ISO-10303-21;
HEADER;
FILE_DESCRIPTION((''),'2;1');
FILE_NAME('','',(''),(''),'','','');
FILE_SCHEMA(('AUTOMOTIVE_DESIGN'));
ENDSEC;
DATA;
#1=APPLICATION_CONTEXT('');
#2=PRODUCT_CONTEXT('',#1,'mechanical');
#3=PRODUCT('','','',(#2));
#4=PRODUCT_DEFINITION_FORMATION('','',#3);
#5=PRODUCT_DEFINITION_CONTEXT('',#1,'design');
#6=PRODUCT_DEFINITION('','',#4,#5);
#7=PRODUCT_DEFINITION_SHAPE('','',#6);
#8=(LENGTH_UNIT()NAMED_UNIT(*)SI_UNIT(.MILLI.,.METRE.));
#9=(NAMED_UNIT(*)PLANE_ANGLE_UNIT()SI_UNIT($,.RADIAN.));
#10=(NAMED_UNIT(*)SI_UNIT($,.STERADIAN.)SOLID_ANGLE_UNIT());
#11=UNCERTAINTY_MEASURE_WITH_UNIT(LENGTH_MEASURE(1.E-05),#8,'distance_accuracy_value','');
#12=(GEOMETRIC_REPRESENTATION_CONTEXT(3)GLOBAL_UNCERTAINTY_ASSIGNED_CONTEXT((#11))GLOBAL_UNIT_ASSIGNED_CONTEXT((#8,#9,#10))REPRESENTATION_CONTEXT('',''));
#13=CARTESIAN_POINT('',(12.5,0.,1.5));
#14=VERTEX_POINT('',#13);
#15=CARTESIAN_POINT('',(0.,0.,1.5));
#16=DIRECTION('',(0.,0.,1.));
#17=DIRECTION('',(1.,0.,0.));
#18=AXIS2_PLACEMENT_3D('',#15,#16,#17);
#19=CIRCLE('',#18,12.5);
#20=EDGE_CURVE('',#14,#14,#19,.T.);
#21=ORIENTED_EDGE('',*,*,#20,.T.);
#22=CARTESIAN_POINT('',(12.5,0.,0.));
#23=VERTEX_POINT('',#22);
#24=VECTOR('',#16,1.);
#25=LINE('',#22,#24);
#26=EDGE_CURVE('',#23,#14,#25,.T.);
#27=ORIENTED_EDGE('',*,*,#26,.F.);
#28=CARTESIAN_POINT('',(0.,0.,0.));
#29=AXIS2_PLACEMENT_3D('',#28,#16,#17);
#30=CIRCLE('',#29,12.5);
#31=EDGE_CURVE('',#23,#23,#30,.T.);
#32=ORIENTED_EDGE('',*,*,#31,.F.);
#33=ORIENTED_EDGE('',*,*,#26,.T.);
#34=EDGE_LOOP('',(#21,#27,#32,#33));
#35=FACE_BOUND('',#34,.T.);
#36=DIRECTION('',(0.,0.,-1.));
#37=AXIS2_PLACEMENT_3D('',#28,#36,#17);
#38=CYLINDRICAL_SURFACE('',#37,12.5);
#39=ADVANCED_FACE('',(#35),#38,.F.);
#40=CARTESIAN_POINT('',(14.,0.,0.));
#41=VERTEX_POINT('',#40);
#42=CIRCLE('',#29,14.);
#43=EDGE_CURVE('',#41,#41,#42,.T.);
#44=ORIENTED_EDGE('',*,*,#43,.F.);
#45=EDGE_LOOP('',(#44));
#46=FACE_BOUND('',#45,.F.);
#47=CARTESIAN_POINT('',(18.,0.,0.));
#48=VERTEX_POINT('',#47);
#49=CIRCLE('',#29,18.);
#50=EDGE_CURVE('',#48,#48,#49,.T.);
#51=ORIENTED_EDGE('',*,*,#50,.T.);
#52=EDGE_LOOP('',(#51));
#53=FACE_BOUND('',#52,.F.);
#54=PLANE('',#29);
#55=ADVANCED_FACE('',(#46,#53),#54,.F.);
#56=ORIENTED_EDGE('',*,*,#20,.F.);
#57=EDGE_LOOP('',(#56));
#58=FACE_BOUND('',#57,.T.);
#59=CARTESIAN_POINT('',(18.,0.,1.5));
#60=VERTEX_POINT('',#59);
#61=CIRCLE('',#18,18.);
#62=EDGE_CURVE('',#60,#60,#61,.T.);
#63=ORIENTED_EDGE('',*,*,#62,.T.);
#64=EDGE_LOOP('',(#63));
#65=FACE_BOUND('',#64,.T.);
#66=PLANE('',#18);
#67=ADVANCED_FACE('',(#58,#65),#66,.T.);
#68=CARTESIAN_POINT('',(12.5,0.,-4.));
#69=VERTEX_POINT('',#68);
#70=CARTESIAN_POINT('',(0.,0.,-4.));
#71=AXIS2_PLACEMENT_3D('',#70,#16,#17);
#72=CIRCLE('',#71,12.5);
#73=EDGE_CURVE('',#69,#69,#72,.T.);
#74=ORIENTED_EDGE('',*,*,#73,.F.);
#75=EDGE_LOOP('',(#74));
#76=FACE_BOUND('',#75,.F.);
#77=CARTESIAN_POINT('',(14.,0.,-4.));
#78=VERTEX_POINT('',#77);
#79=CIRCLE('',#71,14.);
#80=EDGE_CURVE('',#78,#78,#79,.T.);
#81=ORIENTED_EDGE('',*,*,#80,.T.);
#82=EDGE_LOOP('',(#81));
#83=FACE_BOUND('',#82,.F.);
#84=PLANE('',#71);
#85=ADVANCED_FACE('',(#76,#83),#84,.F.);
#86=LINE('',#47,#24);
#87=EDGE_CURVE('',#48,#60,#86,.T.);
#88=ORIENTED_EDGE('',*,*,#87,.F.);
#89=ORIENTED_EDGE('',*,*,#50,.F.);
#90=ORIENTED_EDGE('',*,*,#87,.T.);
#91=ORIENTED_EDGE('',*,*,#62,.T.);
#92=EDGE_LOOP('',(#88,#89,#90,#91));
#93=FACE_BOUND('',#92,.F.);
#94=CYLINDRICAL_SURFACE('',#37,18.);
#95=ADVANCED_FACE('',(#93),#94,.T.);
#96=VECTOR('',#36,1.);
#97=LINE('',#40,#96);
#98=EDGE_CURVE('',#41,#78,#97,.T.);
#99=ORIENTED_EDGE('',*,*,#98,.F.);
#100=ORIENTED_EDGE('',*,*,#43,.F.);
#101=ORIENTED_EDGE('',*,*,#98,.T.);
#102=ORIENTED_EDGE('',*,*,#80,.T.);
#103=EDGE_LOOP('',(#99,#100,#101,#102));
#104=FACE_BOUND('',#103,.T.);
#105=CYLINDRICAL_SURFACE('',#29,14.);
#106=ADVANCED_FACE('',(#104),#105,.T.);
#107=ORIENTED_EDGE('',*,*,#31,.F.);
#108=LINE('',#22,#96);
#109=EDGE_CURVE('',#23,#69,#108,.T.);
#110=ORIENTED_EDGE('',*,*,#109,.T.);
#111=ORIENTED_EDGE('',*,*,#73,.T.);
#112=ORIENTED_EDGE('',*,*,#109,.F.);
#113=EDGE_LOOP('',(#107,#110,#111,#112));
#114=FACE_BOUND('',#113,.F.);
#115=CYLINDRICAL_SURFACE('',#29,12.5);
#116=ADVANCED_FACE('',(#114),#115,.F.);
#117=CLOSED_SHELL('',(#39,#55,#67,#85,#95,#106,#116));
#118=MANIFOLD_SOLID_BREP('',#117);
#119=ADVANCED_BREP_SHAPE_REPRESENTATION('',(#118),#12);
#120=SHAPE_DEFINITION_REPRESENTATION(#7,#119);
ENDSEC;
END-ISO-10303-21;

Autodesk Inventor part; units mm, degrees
ref_plane "YZ Plane" through (0, 0, 0) normal (1, 0, 0) x (0, 1, 0)
ref_plane "XZ Plane" through (0, 0, 0) normal (0, 1, 0) x (-1, 0, 0)
ref_plane "XY Plane" through (0, 0, 0) normal (0, 0, 1) x (1, 0, 0)
sketch "スケッチ1" plane through (0, 0, 0) normal (0, 0, 1) x (1, 0, 0)
  circle A0 centre (0, 0) radius 12.5
  circle A1 centre (0, 0) radius 14
  circle A2 centre (0, 0) radius 18
  dimension "d0" = 25
  dimension "d1" = 28
  dimension "d2" = 36
extrude "押し出し1" add sketch "スケッチ1" along normal blind 1.5 contours A1 | A2
extrude "押し出し2" add sketch "スケッチ1" against normal blind 4 contours A1
properties part number "オイレスF　d25-D28-l12" material "アセタール樹脂、黒"
